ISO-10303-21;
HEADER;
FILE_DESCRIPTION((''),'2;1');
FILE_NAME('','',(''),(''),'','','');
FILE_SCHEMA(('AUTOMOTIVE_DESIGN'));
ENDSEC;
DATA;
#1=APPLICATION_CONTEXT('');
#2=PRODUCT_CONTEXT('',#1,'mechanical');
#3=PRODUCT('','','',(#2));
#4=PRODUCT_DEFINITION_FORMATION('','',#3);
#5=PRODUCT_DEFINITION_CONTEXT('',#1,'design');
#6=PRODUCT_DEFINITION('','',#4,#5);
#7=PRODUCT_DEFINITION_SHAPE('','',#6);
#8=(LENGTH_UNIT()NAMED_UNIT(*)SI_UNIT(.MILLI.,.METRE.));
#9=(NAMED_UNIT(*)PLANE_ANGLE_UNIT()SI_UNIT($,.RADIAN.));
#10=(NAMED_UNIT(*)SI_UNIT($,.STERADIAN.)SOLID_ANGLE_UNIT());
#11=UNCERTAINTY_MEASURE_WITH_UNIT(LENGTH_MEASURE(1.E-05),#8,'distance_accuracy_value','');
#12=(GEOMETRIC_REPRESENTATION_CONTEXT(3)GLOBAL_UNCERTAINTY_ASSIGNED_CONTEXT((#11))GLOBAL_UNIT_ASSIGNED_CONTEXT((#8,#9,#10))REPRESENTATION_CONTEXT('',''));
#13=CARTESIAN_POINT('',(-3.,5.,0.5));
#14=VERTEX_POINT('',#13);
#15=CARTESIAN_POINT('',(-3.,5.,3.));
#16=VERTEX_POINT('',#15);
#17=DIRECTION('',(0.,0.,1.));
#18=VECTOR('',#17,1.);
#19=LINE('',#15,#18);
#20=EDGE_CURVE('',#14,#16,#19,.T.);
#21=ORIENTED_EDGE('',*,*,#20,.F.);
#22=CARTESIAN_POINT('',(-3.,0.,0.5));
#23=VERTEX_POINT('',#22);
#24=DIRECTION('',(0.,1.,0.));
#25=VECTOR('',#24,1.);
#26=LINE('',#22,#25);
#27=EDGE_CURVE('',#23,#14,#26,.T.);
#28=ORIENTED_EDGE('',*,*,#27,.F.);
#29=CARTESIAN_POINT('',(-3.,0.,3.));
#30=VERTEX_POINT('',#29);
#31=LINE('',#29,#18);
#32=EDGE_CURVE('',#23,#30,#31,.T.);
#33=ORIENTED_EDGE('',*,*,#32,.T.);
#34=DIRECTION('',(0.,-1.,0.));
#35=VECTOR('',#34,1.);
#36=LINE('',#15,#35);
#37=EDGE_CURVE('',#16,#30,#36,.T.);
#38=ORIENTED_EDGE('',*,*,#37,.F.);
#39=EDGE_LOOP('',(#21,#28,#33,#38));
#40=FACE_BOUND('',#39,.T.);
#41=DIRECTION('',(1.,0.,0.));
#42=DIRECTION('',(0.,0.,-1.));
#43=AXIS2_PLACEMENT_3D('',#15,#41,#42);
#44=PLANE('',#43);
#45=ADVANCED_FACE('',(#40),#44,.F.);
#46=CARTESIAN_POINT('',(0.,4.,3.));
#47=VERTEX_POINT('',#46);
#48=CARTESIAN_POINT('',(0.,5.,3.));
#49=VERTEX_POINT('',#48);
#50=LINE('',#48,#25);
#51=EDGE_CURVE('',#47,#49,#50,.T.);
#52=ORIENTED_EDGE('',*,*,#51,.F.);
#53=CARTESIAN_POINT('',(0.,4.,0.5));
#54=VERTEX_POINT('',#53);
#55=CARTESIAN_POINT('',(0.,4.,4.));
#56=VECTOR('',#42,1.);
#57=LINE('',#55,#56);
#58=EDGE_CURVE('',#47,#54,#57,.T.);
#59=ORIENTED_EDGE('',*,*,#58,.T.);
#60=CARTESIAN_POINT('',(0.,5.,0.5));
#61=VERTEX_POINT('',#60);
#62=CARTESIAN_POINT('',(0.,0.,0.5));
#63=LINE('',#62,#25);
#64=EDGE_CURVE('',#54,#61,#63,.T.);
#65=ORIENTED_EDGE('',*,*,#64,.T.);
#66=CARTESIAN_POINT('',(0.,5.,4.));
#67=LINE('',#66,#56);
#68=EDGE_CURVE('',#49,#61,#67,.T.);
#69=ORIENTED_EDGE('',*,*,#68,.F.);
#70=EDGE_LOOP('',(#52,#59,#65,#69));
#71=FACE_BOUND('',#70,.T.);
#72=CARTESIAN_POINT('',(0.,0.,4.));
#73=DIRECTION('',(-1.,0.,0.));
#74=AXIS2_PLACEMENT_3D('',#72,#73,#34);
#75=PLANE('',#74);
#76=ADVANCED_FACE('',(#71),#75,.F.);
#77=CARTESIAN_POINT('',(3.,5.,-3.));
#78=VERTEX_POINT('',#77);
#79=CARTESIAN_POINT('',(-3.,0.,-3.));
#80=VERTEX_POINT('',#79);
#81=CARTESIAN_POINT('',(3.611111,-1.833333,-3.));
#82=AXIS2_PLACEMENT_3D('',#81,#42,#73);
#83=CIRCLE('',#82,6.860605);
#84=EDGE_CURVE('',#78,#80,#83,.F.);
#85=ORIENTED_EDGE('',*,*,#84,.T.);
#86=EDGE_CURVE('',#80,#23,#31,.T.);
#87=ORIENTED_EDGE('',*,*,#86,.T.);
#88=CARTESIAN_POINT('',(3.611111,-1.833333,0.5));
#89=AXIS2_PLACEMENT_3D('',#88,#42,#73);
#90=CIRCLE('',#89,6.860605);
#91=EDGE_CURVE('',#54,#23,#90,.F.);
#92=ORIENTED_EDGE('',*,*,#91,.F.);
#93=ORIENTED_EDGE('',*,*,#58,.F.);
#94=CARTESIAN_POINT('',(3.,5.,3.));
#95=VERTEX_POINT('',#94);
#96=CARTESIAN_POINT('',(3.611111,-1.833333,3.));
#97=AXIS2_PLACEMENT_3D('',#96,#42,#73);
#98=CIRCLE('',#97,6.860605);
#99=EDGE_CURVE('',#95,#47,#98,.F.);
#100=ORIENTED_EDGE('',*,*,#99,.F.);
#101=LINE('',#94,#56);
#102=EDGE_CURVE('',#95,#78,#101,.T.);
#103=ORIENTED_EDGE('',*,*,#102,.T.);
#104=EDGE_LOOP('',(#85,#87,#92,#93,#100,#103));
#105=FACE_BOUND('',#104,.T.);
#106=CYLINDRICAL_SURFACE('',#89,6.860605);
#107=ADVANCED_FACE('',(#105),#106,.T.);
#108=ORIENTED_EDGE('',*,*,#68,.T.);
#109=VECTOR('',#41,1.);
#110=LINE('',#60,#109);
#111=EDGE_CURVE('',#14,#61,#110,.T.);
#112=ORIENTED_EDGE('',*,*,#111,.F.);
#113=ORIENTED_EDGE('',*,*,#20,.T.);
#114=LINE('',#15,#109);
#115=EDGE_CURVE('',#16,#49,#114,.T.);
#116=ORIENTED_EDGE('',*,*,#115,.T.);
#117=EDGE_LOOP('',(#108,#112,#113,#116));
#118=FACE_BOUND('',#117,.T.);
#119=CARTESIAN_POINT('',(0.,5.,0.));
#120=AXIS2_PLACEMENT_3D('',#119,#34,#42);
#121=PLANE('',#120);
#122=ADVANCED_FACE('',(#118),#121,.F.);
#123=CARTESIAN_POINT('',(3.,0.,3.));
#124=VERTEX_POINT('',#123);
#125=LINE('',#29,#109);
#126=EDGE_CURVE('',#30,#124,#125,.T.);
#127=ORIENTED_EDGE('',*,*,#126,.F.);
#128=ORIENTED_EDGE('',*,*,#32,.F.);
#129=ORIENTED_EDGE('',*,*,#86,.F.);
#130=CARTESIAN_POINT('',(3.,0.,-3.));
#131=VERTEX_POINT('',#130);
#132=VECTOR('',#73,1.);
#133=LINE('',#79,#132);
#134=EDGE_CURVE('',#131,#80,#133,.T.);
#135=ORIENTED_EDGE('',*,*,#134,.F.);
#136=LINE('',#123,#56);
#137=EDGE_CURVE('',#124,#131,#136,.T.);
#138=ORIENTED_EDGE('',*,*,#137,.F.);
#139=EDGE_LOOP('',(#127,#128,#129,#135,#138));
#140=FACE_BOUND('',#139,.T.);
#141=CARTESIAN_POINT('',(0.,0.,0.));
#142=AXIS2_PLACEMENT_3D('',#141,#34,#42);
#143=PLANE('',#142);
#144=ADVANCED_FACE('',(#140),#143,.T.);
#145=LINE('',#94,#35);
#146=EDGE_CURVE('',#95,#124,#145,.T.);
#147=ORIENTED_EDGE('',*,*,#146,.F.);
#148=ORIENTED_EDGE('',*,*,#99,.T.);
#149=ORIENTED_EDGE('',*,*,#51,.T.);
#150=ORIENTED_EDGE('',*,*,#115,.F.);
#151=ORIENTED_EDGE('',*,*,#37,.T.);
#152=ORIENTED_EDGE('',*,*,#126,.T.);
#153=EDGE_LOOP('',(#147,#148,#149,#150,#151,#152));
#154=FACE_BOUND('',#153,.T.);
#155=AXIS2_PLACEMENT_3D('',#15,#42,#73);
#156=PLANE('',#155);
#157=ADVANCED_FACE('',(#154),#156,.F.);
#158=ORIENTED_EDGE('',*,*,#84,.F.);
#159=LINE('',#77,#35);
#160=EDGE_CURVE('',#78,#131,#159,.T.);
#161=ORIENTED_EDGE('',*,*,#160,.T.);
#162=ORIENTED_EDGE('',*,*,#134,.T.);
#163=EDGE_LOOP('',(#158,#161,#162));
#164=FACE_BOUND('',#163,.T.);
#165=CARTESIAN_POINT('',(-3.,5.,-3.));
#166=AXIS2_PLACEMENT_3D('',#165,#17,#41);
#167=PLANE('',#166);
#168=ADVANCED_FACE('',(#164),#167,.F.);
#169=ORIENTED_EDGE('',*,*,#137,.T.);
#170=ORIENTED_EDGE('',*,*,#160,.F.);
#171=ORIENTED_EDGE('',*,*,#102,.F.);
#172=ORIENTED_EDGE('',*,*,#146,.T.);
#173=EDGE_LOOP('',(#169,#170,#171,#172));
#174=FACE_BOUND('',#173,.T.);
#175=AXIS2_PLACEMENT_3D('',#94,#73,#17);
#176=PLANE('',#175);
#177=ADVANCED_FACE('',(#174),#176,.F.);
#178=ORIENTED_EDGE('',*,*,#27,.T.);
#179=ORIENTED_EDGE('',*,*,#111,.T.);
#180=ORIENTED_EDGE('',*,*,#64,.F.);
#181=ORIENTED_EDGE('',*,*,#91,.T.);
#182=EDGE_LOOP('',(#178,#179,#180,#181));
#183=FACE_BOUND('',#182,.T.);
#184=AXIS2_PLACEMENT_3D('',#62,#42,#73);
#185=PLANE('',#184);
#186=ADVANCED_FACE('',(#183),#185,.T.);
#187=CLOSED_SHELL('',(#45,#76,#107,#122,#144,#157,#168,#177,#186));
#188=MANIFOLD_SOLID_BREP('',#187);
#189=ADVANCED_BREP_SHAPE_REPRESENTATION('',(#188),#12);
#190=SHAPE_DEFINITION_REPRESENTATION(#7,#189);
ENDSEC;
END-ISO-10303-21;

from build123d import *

# Parameters (mm, degrees)
SKETCH1_W           = 6
SKETCH1_H           = 6
BOSS_EXTRUDE1_DEPTH = 5
CUT_EXTRUDE12_DEPTH = 3.5
CUT_EXTRUDE13_DEPTH = 3.5


with BuildPart() as part:
    # Sketch1 → Boss-Extrude1 (new body)
    with BuildSketch(Plane(origin=(0, 0, 0), x_dir=(1, 0, 0), z_dir=(0, 1, 0))):
        Rectangle(SKETCH1_W, SKETCH1_H)
    extrude(amount=BOSS_EXTRUDE1_DEPTH)

    # Sketch13 → Cut-Extrude12 (cut)
    with BuildSketch(Plane(origin=(0, 0, -3), x_dir=(-1, 0, 0), z_dir=(0, 0, -1))):
        with BuildLine():
            ThreePointArc((-3, 5), (0.780941195, 3.437129434), (3, 0))
            Line((3, 0), (3, 5))
            Line((3, 5), (-3, 5))
        make_face()
    extrude(amount=-CUT_EXTRUDE12_DEPTH, mode=Mode.SUBTRACT)

    # Sketch14 → Cut-Extrude13 (cut)
    with BuildSketch(Plane(origin=(0, 0, 0.5), x_dir=(-1, 0, 0), z_dir=(0, 0, -1))):
        with BuildLine():
            ThreePointArc((-3, 5), (-1.441597312, 4.675208063), (0, 4))
            Line((0, 4), (0, 5))
            Line((0, 5), (-3, 5))
        make_face()
    extrude(amount=-CUT_EXTRUDE13_DEPTH, mode=Mode.SUBTRACT)


solid = part.part
